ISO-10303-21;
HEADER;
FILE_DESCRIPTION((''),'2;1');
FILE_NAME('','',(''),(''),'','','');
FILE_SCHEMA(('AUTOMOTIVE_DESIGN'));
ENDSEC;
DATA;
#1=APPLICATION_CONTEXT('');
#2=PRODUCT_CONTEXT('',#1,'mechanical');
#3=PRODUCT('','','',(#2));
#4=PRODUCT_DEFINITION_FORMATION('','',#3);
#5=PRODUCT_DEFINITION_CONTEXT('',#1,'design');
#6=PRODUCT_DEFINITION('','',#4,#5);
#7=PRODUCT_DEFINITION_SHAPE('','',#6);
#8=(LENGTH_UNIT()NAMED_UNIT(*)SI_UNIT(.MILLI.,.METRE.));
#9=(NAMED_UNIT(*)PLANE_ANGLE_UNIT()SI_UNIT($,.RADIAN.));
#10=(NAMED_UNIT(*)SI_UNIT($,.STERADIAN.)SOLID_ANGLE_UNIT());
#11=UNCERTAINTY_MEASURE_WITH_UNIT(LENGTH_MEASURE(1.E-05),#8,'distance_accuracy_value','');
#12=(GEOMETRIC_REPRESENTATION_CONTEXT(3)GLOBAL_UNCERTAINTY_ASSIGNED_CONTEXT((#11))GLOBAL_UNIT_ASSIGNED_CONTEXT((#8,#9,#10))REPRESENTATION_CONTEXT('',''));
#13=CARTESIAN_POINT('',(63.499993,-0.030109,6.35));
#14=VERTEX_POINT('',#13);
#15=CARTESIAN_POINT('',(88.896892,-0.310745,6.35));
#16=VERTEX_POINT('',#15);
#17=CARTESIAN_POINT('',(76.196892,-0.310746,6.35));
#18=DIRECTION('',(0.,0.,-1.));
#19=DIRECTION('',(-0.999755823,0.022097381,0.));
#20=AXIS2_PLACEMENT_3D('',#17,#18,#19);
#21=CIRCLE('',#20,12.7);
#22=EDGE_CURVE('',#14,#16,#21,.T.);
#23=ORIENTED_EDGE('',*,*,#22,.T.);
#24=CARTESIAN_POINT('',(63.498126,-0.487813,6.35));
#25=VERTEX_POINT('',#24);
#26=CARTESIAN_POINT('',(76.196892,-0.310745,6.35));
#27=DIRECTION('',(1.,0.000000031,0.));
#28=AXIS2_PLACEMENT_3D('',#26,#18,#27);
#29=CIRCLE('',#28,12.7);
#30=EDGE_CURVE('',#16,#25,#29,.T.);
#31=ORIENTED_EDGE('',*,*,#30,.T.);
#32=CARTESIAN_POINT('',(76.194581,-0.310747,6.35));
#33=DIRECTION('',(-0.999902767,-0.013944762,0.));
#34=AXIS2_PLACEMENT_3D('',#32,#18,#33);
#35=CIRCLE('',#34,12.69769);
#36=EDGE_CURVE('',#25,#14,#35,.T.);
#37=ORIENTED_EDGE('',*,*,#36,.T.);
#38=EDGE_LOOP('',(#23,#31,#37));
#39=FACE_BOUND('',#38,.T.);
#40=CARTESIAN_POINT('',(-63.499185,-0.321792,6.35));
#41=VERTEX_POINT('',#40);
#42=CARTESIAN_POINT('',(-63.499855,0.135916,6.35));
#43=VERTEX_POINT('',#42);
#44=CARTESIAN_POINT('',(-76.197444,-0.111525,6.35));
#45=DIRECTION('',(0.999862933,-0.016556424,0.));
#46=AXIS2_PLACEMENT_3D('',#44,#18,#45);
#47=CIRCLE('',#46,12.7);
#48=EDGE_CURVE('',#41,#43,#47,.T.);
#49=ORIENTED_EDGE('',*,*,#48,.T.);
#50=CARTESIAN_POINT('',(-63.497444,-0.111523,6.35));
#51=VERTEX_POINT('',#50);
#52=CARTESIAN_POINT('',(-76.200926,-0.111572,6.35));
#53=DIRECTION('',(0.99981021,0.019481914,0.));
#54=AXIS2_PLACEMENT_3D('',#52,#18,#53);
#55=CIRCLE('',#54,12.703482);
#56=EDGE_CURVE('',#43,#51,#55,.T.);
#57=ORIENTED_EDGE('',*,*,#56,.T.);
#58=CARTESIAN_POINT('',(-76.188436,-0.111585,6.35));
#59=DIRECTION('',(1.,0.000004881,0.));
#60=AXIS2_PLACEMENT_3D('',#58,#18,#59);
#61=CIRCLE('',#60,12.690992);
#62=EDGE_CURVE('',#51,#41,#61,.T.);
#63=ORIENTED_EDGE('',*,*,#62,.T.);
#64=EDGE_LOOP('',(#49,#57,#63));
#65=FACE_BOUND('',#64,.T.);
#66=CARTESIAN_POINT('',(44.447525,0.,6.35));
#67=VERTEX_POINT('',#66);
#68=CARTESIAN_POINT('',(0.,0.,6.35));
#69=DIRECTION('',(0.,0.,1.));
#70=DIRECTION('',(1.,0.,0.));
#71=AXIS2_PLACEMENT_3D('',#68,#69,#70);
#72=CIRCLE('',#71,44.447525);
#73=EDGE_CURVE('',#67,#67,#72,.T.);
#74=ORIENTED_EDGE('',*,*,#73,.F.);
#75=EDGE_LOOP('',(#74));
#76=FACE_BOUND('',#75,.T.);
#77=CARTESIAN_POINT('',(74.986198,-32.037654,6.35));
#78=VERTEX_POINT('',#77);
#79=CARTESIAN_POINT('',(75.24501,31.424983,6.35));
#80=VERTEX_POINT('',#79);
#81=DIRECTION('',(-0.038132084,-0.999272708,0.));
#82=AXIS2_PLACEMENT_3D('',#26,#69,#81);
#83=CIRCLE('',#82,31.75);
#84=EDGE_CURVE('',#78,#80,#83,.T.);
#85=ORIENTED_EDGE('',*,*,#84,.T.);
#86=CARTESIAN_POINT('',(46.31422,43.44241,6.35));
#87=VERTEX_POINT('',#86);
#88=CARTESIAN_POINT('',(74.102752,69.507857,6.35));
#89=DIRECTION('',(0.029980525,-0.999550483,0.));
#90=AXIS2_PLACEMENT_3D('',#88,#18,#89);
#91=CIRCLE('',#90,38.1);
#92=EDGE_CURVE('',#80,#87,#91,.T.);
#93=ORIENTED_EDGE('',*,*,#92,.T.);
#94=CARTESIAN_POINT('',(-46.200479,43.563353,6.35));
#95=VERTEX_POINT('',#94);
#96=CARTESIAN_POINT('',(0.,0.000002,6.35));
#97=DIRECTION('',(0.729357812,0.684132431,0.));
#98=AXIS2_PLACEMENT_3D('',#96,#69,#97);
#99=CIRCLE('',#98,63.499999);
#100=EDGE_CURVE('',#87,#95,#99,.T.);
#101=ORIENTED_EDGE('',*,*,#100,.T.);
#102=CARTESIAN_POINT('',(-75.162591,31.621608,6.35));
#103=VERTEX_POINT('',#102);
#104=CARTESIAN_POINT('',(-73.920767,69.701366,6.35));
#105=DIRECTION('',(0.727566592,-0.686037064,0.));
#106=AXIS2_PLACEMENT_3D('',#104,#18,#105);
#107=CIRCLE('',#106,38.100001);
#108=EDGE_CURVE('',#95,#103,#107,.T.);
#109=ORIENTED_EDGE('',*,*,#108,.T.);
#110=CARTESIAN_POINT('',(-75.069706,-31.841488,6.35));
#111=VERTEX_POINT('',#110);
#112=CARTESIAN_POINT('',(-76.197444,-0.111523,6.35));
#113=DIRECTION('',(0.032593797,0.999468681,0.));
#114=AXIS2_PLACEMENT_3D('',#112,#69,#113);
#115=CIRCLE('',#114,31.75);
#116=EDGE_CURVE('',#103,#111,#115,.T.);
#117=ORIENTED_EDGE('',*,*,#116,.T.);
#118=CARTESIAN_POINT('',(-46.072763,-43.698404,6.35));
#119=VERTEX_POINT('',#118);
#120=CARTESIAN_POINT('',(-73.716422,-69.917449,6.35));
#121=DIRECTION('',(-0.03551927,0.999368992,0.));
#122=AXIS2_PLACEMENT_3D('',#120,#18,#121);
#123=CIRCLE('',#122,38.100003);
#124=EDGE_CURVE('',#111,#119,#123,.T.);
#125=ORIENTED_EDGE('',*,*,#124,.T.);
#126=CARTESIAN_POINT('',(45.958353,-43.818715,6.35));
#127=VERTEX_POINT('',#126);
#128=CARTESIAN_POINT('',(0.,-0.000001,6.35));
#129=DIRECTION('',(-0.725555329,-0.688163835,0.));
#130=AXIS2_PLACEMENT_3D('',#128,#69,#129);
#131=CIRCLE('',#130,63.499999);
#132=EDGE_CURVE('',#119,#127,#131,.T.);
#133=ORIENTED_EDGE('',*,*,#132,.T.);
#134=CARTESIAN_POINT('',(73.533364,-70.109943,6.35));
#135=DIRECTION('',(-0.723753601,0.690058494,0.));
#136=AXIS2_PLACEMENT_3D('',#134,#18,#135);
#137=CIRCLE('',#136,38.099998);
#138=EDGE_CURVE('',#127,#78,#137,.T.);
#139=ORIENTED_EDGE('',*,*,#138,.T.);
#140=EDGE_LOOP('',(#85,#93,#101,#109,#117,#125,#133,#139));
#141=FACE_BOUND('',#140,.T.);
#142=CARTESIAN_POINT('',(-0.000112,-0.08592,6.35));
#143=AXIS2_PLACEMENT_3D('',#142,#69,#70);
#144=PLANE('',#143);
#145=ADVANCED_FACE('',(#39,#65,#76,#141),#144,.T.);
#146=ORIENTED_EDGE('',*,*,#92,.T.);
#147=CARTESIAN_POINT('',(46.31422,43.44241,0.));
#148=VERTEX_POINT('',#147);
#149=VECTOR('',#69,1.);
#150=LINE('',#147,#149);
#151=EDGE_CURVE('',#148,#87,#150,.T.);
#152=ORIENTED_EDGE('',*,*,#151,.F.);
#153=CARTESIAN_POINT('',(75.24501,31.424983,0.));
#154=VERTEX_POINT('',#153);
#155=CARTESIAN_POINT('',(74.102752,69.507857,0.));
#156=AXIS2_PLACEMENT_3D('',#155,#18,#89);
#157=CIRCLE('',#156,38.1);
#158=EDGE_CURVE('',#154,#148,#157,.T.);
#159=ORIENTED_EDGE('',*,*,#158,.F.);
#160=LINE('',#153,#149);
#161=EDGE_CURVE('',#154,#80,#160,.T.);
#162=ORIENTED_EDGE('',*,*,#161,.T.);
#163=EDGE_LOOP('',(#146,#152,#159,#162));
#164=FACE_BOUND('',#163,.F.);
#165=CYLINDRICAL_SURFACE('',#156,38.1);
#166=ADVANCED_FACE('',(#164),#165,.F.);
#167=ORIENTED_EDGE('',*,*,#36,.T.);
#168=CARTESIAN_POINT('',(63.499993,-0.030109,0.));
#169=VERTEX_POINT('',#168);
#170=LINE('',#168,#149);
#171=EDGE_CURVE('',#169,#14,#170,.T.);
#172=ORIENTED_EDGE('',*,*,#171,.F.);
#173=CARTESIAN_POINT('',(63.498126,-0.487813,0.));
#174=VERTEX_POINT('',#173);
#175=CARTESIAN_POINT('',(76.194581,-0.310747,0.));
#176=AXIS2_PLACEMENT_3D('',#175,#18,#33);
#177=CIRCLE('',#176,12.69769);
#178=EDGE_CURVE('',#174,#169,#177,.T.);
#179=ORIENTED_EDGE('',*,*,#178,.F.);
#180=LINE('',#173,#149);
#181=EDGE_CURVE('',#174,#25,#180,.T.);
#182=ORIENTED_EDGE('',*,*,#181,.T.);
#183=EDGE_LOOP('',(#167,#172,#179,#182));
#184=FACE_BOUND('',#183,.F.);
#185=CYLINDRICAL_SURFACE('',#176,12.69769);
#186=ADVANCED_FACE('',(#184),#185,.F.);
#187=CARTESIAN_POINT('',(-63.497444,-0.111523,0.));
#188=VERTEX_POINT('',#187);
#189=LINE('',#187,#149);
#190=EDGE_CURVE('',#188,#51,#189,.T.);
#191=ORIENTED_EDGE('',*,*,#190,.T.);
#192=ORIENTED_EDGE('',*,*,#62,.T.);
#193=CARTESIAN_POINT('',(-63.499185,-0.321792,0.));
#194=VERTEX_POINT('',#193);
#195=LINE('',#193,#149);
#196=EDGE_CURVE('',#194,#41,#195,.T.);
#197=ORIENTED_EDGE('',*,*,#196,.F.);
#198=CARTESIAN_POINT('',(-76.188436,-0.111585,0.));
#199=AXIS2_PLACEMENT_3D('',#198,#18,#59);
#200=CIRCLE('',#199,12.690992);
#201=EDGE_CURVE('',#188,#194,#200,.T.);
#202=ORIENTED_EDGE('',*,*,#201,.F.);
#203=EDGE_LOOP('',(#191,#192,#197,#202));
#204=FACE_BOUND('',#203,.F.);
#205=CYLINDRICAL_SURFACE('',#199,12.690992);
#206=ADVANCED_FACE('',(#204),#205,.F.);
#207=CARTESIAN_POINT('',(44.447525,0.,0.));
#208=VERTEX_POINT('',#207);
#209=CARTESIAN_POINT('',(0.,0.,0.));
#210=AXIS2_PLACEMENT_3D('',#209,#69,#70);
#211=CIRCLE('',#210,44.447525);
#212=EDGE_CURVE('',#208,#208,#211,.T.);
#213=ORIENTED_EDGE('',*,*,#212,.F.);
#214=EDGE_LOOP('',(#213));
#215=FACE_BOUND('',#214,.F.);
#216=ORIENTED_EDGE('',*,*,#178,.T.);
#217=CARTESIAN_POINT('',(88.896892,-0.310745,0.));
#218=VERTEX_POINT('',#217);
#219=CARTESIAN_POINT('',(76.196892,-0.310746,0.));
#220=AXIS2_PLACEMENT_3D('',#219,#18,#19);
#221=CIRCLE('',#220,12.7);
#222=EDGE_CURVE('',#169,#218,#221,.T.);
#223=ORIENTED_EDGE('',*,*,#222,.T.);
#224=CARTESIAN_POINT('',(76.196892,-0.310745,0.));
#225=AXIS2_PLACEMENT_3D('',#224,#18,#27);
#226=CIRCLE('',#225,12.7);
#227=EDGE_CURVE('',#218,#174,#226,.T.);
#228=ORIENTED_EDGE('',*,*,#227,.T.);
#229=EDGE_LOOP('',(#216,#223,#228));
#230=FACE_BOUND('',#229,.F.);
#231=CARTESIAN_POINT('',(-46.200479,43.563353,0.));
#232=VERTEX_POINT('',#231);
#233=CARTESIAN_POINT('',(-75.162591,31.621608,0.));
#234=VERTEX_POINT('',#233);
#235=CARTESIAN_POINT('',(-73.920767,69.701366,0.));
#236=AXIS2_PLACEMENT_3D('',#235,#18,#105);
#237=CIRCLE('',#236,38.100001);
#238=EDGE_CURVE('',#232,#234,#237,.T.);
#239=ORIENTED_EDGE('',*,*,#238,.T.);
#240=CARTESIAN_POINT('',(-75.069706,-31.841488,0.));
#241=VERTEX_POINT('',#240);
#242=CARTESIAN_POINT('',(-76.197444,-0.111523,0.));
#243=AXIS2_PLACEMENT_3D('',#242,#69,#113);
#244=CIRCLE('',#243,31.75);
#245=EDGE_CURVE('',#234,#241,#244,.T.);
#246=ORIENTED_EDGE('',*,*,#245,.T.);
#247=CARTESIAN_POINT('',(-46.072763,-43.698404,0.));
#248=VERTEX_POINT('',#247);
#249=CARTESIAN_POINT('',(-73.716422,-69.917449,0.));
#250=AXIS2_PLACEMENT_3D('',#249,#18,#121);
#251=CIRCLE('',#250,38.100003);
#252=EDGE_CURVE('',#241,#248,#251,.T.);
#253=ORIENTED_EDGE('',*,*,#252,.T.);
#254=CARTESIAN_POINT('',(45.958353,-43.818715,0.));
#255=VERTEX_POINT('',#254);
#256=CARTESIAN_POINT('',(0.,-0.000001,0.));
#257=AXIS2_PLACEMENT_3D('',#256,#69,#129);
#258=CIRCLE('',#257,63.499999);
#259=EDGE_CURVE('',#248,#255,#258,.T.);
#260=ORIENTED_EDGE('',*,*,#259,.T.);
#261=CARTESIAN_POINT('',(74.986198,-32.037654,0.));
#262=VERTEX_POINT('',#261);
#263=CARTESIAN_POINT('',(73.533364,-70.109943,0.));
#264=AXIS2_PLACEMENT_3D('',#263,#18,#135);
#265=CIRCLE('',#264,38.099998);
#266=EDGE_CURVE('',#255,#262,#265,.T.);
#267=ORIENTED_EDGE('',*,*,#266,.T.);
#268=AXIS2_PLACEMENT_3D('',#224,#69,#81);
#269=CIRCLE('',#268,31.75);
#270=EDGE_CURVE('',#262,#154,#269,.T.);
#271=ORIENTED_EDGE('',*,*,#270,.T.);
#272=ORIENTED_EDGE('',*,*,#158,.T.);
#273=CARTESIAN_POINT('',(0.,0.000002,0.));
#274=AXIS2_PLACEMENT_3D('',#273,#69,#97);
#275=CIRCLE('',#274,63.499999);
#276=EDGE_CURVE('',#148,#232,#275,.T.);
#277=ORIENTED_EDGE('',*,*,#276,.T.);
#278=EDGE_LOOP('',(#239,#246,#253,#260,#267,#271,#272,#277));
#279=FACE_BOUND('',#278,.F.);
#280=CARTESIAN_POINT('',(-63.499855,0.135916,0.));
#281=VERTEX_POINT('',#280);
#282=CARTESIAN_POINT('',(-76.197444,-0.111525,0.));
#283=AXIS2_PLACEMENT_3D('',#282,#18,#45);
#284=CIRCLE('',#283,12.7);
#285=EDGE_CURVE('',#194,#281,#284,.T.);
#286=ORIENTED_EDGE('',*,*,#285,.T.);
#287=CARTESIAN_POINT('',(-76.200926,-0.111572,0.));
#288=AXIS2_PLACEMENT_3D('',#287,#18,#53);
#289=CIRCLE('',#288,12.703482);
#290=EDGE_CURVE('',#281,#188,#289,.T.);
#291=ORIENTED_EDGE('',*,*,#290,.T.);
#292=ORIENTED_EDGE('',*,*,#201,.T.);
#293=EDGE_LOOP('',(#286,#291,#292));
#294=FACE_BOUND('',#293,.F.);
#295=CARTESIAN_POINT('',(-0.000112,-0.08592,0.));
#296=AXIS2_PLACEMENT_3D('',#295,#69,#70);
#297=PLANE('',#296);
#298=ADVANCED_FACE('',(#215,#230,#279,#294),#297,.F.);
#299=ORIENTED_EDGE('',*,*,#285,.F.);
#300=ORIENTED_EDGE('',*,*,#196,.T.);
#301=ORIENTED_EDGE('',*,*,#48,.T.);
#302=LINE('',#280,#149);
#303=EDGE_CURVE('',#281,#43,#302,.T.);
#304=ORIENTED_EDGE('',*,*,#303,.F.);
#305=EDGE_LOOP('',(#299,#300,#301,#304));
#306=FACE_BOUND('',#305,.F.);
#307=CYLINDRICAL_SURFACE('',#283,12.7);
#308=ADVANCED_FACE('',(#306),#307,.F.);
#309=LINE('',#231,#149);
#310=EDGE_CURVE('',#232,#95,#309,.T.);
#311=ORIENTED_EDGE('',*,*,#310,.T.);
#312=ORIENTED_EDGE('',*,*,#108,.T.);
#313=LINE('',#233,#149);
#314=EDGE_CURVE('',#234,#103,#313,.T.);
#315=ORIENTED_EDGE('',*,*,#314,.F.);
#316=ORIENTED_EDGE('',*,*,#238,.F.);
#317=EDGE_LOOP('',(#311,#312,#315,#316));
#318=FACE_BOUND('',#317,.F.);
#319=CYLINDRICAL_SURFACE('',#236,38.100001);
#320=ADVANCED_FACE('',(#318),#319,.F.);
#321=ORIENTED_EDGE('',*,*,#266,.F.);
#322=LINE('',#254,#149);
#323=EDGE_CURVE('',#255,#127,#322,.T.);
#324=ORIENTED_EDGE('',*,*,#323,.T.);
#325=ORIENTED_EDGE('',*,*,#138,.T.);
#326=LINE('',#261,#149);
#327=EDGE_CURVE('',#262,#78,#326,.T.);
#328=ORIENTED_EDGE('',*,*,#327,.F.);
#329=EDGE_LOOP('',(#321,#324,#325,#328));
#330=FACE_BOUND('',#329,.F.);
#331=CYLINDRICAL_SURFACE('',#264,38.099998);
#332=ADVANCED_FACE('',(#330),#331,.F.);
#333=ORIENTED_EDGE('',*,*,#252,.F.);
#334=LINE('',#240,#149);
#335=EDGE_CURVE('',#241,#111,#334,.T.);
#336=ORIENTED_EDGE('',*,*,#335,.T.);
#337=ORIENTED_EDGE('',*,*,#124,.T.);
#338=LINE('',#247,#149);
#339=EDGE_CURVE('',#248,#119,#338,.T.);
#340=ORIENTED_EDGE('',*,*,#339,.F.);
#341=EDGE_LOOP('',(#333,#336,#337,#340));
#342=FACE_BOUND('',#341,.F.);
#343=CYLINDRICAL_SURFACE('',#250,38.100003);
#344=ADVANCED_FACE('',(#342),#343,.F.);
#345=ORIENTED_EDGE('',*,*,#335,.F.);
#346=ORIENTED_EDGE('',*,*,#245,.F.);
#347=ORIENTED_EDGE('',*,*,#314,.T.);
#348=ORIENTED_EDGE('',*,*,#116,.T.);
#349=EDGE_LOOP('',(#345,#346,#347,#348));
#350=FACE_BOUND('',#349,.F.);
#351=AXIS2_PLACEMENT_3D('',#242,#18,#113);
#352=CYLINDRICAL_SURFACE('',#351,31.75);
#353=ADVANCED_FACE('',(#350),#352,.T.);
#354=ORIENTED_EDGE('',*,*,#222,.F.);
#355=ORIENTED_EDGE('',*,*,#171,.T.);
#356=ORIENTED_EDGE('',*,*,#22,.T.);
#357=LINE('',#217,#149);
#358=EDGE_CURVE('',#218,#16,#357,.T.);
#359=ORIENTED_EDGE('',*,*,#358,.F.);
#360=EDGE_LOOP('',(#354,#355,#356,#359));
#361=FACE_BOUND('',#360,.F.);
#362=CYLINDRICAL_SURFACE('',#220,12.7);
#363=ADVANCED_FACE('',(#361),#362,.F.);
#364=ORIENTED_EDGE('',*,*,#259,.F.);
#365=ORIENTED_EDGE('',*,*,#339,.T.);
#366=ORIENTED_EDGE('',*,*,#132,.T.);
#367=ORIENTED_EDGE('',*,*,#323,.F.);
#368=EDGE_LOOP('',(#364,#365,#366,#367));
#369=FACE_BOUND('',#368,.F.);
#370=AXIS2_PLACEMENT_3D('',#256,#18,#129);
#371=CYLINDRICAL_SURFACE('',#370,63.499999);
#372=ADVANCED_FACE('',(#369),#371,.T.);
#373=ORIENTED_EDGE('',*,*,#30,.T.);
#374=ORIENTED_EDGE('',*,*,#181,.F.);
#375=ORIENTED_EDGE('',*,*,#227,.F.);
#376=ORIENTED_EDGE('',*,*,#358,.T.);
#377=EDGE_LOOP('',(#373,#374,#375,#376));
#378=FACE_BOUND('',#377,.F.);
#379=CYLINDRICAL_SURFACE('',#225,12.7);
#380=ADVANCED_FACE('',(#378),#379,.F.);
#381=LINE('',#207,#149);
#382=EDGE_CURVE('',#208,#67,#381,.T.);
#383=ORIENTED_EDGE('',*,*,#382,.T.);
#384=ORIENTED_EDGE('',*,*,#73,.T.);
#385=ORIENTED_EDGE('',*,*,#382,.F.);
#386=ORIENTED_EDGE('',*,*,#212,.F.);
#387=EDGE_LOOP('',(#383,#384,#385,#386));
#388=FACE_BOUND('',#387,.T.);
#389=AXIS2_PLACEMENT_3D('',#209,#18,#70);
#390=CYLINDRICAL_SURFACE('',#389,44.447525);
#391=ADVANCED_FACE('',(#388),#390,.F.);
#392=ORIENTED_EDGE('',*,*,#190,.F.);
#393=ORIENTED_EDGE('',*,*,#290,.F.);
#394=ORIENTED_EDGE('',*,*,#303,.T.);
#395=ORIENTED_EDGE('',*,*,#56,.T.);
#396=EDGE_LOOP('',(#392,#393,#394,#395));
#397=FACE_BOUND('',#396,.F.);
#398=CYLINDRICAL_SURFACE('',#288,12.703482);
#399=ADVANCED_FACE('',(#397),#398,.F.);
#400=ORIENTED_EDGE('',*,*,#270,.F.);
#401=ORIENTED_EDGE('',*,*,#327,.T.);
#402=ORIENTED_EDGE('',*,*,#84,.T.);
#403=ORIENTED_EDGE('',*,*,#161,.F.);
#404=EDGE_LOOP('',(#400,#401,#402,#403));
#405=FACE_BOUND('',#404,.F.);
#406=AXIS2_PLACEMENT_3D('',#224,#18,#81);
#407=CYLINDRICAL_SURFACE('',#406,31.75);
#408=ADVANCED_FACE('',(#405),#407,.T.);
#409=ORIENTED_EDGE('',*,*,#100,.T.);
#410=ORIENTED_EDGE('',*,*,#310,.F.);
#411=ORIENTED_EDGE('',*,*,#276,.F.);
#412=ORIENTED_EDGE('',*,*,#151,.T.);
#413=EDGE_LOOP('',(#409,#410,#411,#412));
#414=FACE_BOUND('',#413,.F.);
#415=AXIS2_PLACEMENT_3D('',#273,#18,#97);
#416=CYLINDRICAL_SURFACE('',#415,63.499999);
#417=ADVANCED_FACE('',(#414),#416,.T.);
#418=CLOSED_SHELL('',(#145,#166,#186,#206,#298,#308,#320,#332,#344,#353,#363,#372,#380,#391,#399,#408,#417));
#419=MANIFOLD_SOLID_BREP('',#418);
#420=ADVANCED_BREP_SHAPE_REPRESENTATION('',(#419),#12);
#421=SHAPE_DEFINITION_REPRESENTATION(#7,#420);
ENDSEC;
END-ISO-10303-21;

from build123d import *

# Parameters (mm, degrees)
F0_R     = 44.447525
F1_DEPTH = 6.35


with BuildPart() as f1:
    # F0 (on Top) → F1 (new body)
    with BuildSketch(Plane.XY):
        with BuildLine():
            ThreePointArc((-46.200479, 43.563353), (-59.397386, 34.478057), (-75.162591, 31.621608))
            ThreePointArc((-75.162591, 31.621608), (-107.94741, -0.157992), (-75.069706, -31.841488))
            ThreePointArc((-75.069706, -31.841488), (-59.296208, -34.651777), (-46.072763, -43.698404))
            ThreePointArc((-46.072763, -43.698404), (-0.083012, -63.499946), (45.958353, -43.818715))
            ThreePointArc((45.958353, -43.818715), (59.205406, -34.806692), (74.986198, -32.037654))
            ThreePointArc((74.986198, -32.037654), (107.946628, -0.440227), (75.24501, 31.424983))
            ThreePointArc((75.24501, 31.424983), (59.487328, 34.322641), (46.31422, 43.44241))
            ThreePointArc((46.31422, 43.44241), (0.083012, 63.499946), (-46.200479, 43.563353))
        make_face()
        with BuildLine():
            ThreePointArc((-63.499185, -0.321792), (-88.89743, -0.13011), (-63.499855, 0.135916))
            ThreePointArc((-63.499855, 0.135916), (-63.498047, 0.012202), (-63.497444, -0.111523))
            ThreePointArc((-63.497444, -0.111523), (-63.497879, -0.216661), (-63.499185, -0.321792))
        make_face(mode=Mode.SUBTRACT)
        with BuildLine():
            ThreePointArc((63.499993, -0.030109), (76.337219, 12.388479), (88.896892, -0.310745))
            ThreePointArc((88.896892, -0.310745), (76.285428, -13.010437), (63.498126, -0.487813))
            ThreePointArc((63.498126, -0.487813), (63.496997, -0.258953), (63.499993, -0.030109))
        make_face(mode=Mode.SUBTRACT)
        Circle(F0_R, mode=Mode.SUBTRACT)
    extrude(amount=F1_DEPTH)


solid = f1.part
